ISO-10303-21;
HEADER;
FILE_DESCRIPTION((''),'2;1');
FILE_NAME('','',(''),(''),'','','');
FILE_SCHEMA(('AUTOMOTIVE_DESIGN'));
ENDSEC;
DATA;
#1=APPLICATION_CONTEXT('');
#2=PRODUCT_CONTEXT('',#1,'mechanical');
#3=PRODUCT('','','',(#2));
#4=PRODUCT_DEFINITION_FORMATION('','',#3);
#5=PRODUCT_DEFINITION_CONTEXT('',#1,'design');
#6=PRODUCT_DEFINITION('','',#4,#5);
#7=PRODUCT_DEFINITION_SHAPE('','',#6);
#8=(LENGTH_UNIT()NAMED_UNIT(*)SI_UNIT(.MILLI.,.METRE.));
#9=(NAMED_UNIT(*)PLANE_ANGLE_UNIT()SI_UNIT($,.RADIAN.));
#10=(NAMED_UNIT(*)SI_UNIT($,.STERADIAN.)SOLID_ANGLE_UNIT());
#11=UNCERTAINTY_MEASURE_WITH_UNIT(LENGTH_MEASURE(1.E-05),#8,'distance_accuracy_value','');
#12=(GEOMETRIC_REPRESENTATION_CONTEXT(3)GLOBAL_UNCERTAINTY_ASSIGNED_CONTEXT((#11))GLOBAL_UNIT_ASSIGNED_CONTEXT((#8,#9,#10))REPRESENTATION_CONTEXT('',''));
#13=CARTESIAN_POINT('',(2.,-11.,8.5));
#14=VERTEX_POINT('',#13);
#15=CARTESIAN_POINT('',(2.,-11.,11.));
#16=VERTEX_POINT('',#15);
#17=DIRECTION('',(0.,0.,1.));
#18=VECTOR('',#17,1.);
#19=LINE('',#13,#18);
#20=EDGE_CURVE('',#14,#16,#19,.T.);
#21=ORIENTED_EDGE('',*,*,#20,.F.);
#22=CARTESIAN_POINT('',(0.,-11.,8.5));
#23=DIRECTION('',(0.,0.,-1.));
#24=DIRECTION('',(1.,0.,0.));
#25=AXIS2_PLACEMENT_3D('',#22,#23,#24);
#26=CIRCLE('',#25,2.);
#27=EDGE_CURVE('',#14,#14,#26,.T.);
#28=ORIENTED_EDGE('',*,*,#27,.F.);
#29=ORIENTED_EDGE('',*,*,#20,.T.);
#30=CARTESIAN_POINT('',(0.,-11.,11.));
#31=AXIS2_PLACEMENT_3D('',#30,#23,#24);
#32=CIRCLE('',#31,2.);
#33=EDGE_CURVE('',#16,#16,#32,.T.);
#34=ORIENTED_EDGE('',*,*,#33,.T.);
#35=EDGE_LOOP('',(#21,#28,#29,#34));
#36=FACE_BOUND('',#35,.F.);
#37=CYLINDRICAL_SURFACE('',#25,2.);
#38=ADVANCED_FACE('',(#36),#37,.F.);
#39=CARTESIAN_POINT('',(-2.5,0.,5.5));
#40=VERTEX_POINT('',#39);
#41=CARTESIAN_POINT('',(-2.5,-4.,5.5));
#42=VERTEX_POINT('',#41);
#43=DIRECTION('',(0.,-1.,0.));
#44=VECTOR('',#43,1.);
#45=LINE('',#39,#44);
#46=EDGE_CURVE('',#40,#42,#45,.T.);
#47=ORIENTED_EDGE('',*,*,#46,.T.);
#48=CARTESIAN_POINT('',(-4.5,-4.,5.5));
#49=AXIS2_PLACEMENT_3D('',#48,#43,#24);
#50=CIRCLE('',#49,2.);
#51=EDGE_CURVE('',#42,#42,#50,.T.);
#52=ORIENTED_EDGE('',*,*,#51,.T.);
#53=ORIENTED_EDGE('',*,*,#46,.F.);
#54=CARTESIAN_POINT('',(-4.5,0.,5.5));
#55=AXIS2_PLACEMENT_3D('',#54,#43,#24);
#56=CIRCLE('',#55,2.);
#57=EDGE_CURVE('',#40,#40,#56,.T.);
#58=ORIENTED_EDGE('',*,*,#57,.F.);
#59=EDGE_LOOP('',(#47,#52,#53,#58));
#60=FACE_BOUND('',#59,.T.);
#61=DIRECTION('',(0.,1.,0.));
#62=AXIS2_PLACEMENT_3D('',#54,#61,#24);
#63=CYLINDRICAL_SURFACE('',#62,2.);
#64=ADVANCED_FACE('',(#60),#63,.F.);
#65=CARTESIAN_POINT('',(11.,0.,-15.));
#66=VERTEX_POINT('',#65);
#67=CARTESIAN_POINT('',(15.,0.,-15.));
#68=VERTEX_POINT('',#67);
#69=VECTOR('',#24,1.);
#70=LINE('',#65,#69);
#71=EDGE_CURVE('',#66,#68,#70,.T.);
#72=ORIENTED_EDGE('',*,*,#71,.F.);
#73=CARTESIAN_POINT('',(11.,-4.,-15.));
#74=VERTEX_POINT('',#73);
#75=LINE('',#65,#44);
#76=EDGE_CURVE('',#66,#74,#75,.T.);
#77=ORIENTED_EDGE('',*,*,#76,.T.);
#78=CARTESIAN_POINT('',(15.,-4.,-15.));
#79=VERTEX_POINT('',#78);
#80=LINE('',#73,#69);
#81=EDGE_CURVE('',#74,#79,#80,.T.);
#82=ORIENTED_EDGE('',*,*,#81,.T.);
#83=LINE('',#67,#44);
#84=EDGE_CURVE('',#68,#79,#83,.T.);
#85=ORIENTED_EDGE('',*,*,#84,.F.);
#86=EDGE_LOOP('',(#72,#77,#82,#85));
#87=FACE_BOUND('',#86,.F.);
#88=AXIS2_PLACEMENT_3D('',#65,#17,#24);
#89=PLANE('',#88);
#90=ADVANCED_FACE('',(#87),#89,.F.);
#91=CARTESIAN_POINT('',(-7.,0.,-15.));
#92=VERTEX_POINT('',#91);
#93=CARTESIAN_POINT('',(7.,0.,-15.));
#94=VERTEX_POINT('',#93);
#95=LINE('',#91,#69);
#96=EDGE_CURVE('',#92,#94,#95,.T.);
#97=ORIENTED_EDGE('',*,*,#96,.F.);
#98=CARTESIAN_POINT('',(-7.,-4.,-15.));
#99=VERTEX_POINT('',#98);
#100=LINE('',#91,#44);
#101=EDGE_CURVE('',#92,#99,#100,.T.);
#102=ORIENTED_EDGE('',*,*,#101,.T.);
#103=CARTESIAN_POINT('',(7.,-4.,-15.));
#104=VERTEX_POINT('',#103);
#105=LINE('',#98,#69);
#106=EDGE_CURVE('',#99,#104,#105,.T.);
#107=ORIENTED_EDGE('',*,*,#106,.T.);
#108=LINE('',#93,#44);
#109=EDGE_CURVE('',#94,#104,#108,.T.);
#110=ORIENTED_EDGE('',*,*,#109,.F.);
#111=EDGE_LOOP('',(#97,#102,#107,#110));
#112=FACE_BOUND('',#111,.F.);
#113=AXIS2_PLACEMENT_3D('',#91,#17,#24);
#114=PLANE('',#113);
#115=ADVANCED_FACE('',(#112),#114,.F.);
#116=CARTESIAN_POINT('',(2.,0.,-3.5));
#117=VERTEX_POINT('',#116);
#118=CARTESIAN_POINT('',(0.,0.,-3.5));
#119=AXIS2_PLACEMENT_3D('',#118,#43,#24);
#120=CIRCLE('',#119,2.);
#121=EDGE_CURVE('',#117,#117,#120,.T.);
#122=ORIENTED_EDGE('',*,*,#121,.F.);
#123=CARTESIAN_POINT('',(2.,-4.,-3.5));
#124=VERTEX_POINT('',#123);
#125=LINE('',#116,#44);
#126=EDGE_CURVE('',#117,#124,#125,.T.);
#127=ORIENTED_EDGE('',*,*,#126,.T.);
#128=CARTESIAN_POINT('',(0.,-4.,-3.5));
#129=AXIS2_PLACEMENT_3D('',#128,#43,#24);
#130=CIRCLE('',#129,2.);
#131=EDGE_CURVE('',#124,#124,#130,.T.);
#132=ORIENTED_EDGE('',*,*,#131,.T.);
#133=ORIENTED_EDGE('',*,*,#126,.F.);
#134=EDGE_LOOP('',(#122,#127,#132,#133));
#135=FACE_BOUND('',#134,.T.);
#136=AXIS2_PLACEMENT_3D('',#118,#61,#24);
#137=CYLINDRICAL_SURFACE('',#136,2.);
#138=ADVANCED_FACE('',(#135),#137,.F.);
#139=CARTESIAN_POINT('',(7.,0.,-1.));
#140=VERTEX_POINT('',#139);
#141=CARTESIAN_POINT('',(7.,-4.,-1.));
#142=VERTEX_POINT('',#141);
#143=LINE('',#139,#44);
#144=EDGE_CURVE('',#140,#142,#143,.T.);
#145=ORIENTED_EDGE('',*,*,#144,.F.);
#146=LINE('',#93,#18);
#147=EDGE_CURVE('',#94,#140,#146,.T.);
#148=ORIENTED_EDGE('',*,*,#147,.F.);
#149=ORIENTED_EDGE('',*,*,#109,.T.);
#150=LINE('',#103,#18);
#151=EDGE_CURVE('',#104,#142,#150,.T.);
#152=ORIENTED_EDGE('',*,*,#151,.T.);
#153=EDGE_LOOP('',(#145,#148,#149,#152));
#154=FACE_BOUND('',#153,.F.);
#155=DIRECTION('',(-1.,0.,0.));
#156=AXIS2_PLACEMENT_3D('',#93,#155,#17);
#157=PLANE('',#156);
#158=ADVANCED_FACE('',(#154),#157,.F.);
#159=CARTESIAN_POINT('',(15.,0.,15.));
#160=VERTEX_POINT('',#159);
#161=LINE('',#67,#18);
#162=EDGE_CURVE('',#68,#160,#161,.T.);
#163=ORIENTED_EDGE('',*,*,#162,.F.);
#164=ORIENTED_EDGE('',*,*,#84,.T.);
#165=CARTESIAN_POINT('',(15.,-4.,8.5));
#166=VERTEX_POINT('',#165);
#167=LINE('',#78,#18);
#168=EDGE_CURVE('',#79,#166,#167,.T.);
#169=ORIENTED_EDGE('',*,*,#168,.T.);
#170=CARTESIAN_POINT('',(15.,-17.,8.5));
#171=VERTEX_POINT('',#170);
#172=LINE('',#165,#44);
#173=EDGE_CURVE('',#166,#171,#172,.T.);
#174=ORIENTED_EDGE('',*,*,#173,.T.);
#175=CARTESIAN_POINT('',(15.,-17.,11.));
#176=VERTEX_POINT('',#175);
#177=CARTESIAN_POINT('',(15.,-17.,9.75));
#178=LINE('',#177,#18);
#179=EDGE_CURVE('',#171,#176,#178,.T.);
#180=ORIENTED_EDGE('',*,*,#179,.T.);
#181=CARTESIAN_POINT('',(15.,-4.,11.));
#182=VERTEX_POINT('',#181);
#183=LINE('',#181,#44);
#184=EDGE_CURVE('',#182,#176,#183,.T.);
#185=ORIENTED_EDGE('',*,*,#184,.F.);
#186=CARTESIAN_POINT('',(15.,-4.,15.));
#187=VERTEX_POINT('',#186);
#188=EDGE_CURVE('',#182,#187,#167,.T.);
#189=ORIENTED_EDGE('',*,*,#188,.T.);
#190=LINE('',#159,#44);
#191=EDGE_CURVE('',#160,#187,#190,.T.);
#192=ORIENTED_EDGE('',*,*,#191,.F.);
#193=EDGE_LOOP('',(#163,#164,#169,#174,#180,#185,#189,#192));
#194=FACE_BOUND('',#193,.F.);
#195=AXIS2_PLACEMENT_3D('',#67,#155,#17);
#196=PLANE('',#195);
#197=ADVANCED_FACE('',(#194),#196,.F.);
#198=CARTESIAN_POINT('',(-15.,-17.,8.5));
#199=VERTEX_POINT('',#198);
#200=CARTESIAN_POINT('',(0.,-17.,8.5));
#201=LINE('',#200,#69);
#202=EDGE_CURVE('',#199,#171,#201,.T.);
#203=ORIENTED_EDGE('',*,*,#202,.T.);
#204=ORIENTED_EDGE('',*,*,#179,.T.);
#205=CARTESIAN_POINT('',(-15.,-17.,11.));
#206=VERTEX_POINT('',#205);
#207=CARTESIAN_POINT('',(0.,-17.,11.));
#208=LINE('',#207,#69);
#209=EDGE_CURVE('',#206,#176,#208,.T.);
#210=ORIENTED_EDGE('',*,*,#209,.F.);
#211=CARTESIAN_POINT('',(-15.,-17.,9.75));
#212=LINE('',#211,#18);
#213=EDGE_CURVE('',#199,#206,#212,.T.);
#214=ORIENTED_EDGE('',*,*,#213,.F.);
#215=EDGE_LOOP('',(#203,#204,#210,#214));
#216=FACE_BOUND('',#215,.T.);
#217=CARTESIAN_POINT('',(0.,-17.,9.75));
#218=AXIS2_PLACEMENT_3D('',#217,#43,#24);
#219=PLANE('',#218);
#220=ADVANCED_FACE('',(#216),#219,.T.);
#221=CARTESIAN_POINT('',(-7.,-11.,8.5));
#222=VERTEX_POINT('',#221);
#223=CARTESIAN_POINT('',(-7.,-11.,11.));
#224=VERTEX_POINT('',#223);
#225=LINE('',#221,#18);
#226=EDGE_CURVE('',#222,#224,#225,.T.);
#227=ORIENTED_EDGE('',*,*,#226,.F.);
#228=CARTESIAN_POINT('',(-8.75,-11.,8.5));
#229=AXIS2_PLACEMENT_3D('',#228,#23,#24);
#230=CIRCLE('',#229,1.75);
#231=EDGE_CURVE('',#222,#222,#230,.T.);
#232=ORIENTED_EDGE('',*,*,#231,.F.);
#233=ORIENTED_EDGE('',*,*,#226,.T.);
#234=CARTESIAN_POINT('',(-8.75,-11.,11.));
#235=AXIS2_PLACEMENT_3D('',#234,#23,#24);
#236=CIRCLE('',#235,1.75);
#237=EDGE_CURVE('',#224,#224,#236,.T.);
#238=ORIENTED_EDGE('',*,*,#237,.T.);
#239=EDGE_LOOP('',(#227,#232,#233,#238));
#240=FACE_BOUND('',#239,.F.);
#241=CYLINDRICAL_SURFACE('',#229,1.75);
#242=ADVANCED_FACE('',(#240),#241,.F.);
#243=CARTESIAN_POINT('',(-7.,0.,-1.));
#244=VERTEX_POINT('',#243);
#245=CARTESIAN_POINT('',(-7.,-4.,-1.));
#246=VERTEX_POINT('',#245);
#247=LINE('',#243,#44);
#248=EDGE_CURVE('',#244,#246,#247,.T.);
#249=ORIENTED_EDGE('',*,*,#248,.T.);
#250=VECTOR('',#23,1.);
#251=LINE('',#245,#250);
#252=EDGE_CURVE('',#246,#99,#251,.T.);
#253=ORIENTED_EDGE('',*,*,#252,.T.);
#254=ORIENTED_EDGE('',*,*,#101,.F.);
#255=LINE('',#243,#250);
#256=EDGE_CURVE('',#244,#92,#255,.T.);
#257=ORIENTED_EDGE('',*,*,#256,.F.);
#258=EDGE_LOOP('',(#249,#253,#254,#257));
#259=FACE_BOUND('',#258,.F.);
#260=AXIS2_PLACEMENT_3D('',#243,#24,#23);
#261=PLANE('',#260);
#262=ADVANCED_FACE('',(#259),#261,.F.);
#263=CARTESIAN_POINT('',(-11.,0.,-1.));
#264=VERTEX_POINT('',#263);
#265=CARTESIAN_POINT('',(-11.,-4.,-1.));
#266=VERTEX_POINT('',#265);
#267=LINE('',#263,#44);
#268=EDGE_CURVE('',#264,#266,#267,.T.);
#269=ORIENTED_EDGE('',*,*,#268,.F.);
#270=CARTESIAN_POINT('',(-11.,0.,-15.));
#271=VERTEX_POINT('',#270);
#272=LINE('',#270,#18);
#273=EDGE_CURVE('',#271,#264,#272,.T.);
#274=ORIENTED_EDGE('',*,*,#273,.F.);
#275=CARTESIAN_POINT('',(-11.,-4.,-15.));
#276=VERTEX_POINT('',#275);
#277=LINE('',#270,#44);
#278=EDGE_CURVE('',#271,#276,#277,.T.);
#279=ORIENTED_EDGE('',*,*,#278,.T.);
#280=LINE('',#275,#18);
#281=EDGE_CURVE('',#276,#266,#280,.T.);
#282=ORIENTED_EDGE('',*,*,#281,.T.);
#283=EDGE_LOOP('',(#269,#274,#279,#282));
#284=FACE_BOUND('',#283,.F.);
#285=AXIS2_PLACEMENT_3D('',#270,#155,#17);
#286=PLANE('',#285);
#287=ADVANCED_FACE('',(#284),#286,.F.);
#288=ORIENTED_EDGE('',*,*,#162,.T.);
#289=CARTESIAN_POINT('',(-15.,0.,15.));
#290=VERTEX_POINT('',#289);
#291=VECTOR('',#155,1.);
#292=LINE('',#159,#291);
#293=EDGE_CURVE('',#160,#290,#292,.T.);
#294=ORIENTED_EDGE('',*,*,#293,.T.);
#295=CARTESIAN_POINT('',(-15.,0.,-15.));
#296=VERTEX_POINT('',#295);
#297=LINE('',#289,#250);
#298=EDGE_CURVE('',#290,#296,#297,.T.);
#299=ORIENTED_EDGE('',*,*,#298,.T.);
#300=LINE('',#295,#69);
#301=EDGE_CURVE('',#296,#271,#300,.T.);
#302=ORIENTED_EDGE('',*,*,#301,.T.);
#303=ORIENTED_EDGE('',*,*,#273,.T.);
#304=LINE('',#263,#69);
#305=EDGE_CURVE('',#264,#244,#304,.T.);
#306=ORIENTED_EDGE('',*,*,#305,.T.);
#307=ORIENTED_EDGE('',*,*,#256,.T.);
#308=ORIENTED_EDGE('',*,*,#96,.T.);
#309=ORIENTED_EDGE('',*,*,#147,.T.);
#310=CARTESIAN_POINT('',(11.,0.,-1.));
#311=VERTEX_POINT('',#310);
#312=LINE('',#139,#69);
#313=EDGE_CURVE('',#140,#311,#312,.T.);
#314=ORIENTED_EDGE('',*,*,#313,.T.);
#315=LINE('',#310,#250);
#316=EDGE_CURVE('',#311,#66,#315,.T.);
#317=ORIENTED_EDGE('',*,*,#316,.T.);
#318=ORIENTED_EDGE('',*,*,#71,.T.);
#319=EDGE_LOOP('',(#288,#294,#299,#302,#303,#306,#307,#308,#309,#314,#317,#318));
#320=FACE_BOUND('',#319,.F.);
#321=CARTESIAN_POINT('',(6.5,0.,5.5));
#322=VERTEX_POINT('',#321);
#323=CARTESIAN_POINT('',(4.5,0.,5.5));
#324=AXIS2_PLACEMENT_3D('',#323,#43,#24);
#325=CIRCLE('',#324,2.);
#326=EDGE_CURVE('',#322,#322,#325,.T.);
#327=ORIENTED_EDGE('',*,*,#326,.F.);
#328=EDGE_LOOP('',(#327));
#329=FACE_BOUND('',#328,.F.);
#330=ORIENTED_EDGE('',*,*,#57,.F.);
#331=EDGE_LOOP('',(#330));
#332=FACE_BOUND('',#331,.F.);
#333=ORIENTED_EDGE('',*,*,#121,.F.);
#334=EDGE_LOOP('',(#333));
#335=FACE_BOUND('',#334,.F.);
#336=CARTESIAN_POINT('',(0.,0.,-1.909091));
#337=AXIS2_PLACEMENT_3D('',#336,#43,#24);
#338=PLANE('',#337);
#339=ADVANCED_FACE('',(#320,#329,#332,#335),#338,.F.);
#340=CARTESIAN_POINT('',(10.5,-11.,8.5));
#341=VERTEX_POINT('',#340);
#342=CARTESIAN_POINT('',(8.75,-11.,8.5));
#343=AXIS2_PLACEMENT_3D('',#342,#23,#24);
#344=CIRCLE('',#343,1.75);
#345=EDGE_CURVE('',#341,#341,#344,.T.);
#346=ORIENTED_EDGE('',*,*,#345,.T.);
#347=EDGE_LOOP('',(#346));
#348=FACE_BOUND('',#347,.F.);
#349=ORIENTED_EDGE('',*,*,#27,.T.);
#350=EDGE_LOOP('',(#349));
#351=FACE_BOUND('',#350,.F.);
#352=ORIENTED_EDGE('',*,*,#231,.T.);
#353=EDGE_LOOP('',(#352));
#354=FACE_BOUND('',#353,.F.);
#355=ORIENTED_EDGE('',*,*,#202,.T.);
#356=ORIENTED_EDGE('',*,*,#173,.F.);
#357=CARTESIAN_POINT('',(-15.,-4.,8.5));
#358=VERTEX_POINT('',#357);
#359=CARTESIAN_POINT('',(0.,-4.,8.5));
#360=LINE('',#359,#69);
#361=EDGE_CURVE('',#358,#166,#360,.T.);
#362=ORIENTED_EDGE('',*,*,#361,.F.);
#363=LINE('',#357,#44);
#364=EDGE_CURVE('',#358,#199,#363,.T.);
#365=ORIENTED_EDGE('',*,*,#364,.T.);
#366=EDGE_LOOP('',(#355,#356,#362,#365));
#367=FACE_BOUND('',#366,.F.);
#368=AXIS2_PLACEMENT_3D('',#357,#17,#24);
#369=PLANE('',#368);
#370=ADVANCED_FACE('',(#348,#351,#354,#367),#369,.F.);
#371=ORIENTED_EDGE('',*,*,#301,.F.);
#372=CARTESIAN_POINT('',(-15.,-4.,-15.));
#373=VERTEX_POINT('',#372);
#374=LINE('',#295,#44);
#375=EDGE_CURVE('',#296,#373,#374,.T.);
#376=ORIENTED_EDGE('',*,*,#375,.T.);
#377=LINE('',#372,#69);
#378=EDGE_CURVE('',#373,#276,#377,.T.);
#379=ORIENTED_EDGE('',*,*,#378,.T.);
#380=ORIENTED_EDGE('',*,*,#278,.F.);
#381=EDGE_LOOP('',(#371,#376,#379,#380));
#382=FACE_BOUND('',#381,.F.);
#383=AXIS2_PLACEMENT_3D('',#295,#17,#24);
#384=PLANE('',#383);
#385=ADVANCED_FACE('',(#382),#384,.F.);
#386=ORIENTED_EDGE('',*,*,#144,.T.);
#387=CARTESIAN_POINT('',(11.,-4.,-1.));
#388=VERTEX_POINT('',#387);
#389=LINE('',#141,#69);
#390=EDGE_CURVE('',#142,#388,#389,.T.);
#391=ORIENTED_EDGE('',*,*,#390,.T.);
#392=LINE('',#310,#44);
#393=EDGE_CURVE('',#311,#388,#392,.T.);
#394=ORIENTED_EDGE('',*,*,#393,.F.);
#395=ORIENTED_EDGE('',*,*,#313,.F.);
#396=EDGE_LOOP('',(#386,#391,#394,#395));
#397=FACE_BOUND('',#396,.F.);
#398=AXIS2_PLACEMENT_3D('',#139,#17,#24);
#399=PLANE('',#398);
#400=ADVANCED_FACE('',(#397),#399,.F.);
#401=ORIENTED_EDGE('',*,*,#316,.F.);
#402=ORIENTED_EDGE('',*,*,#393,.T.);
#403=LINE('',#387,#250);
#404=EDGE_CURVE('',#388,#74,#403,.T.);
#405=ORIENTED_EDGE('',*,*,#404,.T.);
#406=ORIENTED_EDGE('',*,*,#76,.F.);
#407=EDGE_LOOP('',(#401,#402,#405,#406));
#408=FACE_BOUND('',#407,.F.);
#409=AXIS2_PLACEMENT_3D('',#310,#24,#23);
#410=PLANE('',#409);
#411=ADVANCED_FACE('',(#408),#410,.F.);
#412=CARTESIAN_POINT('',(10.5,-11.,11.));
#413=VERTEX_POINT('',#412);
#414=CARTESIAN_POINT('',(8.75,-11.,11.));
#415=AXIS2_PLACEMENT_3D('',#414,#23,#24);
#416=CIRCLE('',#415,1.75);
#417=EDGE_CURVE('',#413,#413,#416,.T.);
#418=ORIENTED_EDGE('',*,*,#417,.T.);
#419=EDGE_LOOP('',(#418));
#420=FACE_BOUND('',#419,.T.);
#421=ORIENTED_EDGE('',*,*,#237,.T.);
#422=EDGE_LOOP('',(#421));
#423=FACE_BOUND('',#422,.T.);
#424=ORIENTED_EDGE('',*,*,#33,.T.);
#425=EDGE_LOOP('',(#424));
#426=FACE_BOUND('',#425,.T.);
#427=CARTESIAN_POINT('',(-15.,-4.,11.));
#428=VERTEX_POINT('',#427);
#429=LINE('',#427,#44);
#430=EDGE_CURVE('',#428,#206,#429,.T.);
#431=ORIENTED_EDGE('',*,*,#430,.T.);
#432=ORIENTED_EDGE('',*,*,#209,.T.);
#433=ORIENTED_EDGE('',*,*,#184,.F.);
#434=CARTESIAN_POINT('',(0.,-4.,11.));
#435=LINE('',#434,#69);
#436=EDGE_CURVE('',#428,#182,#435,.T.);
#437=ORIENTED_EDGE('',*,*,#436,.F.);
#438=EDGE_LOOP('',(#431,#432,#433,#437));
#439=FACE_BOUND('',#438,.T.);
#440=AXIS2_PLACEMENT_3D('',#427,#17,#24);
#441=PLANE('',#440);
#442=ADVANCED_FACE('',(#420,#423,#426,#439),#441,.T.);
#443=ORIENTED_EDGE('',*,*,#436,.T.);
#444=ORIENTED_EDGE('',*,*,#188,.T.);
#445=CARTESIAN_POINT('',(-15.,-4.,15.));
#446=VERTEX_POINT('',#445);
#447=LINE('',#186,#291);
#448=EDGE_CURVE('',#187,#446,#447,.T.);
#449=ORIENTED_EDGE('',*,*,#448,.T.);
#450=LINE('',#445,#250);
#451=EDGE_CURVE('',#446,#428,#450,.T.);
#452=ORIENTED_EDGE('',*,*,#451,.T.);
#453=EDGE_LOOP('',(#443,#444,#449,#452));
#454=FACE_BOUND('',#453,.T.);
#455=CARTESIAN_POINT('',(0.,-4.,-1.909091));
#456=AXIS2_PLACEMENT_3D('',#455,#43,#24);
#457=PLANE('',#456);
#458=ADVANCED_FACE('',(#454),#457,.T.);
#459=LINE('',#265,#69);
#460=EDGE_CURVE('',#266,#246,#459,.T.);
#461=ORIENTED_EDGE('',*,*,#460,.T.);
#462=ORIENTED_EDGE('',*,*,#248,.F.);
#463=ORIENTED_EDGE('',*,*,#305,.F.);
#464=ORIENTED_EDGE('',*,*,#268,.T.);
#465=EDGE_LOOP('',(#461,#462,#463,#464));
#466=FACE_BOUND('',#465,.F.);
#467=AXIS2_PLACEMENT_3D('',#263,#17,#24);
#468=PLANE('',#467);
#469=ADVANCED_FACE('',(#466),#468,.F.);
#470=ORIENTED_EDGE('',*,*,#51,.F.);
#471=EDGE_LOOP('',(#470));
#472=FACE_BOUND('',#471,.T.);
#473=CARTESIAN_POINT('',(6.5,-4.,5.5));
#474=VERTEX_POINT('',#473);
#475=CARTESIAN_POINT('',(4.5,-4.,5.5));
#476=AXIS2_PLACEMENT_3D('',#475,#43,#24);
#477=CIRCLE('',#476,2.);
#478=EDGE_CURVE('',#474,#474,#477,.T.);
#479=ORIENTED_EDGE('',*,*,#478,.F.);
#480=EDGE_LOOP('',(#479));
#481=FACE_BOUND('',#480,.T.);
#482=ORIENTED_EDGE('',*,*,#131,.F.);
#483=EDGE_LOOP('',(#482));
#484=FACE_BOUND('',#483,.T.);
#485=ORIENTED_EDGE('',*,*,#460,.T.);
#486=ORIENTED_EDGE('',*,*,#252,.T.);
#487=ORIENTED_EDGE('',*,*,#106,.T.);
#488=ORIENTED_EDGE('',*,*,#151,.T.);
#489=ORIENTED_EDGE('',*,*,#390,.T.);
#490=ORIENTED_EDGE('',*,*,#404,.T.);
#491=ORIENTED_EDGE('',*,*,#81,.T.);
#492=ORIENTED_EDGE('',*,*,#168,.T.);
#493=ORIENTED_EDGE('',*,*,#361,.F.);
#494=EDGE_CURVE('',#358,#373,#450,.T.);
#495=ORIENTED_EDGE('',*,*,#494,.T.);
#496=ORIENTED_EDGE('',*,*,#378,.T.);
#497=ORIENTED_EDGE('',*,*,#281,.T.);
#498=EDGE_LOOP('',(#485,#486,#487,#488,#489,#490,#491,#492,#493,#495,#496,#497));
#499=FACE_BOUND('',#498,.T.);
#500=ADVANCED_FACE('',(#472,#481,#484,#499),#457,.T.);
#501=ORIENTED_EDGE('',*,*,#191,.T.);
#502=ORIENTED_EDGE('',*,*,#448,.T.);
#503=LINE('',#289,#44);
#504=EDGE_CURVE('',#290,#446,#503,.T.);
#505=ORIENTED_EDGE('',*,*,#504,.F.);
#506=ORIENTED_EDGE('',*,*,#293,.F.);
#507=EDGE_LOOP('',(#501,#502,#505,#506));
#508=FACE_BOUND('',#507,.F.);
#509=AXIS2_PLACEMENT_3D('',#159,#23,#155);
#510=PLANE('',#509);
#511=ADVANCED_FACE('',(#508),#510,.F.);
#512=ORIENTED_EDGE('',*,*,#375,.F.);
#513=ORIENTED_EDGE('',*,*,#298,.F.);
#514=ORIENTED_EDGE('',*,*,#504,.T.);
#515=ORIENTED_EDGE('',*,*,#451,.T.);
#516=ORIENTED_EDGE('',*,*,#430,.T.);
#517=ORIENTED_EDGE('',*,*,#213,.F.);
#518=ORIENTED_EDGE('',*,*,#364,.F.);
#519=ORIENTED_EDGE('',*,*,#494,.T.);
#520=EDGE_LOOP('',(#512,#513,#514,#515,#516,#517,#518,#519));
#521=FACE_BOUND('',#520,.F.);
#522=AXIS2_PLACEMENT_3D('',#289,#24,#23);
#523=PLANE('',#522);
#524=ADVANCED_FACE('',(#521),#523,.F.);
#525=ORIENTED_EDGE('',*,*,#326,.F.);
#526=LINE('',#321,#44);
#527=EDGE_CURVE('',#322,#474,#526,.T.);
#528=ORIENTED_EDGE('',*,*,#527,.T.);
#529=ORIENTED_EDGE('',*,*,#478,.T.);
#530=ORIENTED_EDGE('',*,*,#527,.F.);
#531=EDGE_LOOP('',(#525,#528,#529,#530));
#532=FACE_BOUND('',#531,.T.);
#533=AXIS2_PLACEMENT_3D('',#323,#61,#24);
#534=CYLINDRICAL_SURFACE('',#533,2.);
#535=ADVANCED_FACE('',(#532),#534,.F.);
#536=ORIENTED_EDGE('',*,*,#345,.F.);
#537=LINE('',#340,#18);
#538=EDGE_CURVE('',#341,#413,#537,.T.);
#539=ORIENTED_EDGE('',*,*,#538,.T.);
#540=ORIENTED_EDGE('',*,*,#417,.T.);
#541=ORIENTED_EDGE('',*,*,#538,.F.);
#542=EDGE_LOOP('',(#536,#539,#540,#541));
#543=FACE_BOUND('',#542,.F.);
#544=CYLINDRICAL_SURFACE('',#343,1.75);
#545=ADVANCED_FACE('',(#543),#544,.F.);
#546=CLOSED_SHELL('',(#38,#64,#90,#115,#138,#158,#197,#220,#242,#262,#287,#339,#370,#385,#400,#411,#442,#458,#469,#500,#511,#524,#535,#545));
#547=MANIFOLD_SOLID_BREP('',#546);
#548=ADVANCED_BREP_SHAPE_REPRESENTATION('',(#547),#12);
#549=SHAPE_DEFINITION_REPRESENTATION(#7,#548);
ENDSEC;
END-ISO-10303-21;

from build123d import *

# Parameters (mm, degrees)
F0_R     = 2
F1_DEPTH = 4
F2_W     = 30
F2_H     = 2.5
F3_DEPTH = 13
F4_R     = 1.75
F4_R_2   = 2
F5_DEPTH = 25


with BuildPart() as f1:
    # F0 (on Front) → F1 (new body)
    with BuildSketch(Plane.XZ):
        Polygon((11, -15), (15, -15), (15, 15), (-15, 15), (-15, -15), (-11, -15), (-11, -1), (-7, -1), (-7, -15), (7, -15), (7, -1), (11, -1), align=None)
        with Locations((0, -3.5)):
            Circle(F0_R, mode=Mode.SUBTRACT)
        with Locations((-4.5, 5.5)):
            Circle(F0_R, mode=Mode.SUBTRACT)
        with Locations((4.5, 5.5)):
            Circle(F0_R, mode=Mode.SUBTRACT)
    extrude(amount=F1_DEPTH)

    # F2 (on face) → F3 (join)
    with BuildSketch(Plane.XZ.offset(4)):
        with Locations((0, 9.75)):
            Rectangle(F2_W, F2_H)
    extrude(amount=F3_DEPTH)

    # F4 (on face) → F5 (cut)
    with BuildSketch(Plane(origin=(0, 0, 8.5), x_dir=(1, 0, 0), z_dir=(0, 0, -1))):
        with Locations((-8.75, 11)):
            Circle(F4_R)
        with Locations((0, 11)):
            Circle(F4_R_2)
        with Locations((8.75, 11)):
            Circle(F4_R)
    extrude(amount=-F5_DEPTH, mode=Mode.SUBTRACT)


solid = f1.part
